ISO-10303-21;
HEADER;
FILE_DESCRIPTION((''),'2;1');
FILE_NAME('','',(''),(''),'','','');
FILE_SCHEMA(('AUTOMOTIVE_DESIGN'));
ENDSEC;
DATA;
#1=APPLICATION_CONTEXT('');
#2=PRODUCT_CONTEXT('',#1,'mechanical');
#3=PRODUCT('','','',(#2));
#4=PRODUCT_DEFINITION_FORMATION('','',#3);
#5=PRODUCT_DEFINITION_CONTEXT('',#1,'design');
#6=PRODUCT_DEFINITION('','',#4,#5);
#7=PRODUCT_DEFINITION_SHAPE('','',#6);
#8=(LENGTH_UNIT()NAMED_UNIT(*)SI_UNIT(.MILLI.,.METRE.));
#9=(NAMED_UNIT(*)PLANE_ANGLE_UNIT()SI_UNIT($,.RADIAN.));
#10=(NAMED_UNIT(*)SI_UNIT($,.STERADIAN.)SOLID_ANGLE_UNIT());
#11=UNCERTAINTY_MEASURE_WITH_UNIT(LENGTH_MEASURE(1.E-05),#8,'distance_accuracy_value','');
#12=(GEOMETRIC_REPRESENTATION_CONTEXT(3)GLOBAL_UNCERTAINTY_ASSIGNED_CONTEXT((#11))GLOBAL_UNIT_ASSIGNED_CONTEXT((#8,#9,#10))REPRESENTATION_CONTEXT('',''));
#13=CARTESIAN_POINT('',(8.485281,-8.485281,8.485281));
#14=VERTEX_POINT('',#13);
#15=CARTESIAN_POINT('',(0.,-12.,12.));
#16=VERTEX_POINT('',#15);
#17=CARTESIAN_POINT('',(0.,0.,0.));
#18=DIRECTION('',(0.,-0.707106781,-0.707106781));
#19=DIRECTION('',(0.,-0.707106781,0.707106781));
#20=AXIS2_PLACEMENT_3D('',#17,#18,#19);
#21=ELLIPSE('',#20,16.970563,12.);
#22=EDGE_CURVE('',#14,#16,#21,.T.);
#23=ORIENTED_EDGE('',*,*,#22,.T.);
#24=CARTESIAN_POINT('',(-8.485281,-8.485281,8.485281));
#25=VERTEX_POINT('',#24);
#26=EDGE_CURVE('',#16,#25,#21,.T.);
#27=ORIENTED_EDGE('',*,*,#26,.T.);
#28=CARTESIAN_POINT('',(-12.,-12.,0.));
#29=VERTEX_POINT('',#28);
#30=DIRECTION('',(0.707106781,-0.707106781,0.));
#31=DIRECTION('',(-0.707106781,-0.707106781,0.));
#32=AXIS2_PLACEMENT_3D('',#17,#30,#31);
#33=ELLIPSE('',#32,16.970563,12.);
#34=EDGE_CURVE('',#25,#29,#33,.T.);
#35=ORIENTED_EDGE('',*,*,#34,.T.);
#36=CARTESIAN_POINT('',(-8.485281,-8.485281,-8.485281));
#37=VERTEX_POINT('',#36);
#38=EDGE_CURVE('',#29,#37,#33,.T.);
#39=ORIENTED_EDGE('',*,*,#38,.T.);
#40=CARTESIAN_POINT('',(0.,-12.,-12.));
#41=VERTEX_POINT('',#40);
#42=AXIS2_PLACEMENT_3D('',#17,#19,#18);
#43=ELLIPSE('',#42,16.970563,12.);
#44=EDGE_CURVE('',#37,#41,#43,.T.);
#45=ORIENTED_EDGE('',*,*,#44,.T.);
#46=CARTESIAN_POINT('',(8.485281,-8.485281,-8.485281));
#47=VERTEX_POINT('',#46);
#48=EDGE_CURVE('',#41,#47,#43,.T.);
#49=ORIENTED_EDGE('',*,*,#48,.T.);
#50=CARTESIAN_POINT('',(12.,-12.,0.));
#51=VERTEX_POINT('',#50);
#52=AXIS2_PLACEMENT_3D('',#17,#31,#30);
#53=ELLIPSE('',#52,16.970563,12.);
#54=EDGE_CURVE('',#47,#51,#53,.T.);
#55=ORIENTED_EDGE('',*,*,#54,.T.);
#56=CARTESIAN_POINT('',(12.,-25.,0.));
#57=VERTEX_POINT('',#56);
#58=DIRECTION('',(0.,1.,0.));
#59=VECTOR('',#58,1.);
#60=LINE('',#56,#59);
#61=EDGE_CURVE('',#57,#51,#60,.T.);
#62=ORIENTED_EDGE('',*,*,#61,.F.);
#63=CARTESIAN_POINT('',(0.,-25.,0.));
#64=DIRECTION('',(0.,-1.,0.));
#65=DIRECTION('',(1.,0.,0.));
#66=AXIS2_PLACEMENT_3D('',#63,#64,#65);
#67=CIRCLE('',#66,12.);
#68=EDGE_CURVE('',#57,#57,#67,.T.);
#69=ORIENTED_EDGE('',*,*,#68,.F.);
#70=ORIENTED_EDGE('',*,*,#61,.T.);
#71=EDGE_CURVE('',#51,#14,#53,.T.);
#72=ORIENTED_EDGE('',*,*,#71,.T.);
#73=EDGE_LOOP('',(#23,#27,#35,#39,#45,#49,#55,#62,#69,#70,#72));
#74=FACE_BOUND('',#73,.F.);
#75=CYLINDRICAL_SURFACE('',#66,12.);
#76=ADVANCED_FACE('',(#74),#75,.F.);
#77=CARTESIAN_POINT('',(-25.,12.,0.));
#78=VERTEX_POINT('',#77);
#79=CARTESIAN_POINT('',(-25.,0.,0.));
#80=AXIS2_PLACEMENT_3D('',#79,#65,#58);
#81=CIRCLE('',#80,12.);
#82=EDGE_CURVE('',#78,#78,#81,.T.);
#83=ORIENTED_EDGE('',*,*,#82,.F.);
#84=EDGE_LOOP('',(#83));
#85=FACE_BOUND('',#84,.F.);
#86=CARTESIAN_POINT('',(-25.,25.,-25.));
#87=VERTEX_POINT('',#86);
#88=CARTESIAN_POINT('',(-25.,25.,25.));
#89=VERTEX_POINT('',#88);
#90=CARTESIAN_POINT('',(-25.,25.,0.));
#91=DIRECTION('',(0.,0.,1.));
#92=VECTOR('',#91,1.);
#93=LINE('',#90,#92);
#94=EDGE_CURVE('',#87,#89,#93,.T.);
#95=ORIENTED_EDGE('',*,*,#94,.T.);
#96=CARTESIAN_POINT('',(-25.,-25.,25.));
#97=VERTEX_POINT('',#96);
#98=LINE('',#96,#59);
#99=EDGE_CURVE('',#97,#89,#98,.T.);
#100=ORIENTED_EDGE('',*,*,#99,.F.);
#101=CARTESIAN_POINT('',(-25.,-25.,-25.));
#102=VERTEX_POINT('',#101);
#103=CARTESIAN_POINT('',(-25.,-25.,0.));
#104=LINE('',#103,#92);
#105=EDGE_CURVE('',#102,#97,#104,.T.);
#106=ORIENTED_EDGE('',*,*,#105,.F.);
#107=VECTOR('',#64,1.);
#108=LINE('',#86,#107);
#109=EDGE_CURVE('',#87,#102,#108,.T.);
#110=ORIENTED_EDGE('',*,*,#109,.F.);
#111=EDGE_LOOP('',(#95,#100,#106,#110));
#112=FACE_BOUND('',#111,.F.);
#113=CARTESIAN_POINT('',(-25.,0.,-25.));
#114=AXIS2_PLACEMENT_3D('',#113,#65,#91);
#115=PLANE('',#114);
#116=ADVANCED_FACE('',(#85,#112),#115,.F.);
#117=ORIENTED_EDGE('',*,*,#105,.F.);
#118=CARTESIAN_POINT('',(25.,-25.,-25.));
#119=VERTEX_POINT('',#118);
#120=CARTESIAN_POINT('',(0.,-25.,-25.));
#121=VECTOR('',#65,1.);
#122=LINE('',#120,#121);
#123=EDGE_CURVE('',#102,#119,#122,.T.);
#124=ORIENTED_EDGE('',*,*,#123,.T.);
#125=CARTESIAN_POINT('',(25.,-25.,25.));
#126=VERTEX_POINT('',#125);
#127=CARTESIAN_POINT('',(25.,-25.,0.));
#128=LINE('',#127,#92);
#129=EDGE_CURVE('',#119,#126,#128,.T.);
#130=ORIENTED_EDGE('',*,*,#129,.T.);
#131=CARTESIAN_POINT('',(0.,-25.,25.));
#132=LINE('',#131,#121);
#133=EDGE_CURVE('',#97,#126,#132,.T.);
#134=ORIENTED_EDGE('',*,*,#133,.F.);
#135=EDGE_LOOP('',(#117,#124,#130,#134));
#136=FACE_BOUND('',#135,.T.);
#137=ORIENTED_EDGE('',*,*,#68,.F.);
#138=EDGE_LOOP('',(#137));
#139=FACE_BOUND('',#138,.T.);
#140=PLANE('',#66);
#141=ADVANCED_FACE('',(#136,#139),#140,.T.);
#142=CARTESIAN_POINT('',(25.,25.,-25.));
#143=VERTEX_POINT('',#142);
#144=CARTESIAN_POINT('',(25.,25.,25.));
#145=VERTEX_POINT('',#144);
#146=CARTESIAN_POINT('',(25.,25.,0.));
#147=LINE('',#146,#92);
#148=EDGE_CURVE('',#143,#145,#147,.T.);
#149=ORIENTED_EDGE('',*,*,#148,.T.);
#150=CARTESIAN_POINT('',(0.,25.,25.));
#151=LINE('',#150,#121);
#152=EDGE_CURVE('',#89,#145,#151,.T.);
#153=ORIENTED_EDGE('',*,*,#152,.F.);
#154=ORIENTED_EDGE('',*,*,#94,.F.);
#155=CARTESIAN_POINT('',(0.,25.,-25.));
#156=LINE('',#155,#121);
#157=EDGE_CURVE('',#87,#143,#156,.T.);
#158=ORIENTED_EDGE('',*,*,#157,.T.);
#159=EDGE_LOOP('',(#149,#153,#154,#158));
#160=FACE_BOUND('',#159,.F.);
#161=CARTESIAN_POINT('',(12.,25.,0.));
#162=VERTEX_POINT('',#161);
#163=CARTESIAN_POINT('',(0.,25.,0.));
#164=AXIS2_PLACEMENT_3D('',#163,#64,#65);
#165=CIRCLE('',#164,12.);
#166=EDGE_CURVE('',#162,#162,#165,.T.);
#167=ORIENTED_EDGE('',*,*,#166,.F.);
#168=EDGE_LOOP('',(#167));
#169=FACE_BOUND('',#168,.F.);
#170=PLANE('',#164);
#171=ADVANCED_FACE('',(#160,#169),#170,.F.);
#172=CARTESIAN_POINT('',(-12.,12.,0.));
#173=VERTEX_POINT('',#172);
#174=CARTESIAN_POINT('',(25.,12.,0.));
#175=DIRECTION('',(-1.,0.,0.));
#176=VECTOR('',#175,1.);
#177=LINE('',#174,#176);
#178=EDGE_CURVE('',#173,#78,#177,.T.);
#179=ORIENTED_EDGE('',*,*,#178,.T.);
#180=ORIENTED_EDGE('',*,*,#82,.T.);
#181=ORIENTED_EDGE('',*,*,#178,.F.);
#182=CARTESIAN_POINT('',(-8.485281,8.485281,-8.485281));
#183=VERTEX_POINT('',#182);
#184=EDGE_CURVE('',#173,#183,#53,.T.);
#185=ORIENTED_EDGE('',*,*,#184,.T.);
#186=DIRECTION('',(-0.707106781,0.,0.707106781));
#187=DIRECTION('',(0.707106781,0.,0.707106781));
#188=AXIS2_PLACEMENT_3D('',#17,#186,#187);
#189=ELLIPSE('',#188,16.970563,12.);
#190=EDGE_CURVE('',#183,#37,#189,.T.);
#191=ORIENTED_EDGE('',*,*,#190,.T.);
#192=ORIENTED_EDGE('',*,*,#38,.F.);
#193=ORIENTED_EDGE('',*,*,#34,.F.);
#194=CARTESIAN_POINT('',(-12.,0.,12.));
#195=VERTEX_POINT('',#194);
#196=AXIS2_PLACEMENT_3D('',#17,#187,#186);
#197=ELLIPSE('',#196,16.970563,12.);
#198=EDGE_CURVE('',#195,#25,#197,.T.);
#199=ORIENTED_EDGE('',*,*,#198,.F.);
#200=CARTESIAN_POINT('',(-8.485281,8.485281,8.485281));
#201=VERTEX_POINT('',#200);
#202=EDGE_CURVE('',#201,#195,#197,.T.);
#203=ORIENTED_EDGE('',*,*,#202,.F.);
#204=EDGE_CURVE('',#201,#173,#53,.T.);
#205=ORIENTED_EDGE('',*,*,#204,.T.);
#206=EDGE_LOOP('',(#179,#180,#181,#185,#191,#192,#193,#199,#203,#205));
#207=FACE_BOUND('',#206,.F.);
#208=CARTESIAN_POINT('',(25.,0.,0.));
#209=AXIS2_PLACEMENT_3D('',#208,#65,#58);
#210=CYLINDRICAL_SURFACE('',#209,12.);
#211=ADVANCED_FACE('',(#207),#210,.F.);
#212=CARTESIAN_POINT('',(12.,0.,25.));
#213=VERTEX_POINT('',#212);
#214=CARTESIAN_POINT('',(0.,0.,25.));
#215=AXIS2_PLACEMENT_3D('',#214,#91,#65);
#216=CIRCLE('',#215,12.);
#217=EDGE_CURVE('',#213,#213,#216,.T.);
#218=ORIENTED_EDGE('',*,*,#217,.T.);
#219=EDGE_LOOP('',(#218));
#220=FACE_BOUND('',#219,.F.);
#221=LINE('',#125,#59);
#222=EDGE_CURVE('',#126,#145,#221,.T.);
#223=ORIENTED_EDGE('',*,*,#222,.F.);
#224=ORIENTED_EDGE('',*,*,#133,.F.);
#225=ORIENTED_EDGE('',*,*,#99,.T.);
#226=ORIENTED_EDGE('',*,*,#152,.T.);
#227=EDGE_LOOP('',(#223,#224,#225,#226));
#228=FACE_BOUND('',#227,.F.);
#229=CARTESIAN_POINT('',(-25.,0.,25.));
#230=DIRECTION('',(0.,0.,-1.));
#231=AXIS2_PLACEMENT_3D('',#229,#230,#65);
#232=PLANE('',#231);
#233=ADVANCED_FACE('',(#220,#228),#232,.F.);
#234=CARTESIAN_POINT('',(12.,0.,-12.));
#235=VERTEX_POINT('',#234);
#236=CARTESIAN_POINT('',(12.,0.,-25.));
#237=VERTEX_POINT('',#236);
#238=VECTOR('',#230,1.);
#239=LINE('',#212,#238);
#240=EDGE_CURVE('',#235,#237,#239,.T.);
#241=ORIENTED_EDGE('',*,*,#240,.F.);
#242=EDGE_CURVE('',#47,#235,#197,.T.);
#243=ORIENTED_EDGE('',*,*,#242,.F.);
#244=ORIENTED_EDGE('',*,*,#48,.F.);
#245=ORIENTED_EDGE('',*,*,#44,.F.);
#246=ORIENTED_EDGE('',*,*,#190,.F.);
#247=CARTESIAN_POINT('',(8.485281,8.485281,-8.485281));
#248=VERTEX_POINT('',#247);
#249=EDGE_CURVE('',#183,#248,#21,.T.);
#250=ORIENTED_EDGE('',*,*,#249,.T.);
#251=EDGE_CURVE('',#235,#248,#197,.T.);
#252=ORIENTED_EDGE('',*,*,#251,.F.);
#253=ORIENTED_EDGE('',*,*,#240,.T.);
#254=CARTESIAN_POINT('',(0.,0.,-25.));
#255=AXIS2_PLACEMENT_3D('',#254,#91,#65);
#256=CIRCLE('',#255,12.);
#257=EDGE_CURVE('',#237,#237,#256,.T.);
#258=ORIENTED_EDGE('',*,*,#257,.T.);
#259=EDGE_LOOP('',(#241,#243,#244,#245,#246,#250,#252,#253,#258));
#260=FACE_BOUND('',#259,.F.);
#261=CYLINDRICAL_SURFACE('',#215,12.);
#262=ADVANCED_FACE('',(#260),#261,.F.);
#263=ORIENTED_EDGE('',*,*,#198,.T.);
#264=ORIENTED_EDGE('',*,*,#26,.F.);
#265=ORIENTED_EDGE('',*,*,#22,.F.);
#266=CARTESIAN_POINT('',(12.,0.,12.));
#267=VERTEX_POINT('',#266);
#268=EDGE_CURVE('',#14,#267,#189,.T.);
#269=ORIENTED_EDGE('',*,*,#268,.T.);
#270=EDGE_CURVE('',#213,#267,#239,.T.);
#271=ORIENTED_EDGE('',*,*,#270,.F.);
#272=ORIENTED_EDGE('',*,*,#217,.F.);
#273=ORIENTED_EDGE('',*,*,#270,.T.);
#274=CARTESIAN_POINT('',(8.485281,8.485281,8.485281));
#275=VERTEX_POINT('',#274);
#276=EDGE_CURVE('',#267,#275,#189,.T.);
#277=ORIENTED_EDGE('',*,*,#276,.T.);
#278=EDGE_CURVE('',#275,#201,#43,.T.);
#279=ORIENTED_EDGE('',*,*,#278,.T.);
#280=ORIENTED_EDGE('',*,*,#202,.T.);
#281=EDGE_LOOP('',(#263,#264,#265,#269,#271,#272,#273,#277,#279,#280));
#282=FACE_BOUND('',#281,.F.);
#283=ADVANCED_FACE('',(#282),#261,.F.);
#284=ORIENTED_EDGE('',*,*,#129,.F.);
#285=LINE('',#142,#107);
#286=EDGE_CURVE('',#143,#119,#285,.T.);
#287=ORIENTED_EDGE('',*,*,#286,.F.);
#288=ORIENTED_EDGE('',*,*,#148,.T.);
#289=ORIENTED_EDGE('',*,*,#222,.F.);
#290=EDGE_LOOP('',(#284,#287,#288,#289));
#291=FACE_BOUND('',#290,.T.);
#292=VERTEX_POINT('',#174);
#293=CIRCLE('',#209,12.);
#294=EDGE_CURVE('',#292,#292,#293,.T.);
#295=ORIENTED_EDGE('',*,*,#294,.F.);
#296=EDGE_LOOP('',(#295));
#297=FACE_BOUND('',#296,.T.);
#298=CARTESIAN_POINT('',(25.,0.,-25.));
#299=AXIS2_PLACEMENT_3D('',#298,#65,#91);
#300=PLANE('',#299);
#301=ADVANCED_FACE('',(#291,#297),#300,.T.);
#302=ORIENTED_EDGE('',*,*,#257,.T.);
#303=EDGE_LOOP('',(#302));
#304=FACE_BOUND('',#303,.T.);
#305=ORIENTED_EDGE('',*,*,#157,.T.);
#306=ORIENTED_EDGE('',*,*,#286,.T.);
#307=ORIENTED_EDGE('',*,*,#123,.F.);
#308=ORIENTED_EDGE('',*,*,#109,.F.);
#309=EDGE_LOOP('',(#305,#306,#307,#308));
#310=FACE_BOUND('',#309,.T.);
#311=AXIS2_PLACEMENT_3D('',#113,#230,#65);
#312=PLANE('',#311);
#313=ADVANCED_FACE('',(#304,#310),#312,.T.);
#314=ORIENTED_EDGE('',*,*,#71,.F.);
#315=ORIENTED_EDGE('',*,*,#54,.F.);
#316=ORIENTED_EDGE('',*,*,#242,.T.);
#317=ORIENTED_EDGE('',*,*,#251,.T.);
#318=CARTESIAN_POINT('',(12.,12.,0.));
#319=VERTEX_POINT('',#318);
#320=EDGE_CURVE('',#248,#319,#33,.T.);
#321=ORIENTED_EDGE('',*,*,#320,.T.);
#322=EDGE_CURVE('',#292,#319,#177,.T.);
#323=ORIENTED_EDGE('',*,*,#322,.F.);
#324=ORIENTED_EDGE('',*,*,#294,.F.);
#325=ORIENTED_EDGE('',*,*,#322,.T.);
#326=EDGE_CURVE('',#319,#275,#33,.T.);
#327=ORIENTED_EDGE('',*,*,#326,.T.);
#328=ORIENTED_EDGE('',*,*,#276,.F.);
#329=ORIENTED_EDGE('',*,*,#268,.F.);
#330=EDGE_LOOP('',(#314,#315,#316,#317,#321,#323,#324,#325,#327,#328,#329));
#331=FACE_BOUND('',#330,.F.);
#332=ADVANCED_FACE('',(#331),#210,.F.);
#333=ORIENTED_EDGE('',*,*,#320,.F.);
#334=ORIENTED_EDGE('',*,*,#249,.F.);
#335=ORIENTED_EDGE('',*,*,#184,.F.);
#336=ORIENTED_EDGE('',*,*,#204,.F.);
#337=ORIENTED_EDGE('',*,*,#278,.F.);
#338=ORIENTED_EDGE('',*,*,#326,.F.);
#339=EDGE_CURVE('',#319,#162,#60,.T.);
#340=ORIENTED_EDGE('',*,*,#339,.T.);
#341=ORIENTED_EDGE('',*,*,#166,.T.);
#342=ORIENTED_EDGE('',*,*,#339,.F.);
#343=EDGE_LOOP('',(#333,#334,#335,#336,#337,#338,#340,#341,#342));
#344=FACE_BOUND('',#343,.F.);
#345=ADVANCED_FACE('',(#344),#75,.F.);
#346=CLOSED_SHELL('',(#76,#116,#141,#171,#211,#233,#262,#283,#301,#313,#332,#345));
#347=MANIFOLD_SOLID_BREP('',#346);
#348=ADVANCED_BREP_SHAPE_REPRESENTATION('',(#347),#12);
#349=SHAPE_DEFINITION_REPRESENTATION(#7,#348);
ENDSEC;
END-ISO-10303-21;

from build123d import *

# Parameters (mm, degrees)
F0_W          = 50
F0_H          = 50
F1_DEPTH      = 25
F1_DEPTH_BACK = 25
F2_R          = 12
F3_DEPTH      = 50
F4_R          = 12
F5_DEPTH      = 50
F6_R          = 12
F7_DEPTH      = 50


with BuildPart() as f1:
    # F0 (on Front) → F1 (new body, two sides)
    with BuildSketch(Plane.XZ) as f1_sk:
        Rectangle(F0_W, F0_H)
    extrude(amount=F1_DEPTH)
    extrude(f1_sk.sketch, amount=-F1_DEPTH_BACK)

    # F2 (on face) → F3 (cut)
    with BuildSketch(Plane.XZ.offset(25)):
        Circle(F2_R)
    extrude(amount=-F3_DEPTH, mode=Mode.SUBTRACT)

    # F4 (on face) → F5 (cut)
    with BuildSketch(Plane.XY.offset(25)):
        Circle(F4_R)
    extrude(amount=-F5_DEPTH, mode=Mode.SUBTRACT)

    # F6 (on face) → F7 (cut)
    with BuildSketch(Plane.YZ.offset(25)):
        Circle(F6_R)
    extrude(amount=-F7_DEPTH, mode=Mode.SUBTRACT)


solid = f1.part
